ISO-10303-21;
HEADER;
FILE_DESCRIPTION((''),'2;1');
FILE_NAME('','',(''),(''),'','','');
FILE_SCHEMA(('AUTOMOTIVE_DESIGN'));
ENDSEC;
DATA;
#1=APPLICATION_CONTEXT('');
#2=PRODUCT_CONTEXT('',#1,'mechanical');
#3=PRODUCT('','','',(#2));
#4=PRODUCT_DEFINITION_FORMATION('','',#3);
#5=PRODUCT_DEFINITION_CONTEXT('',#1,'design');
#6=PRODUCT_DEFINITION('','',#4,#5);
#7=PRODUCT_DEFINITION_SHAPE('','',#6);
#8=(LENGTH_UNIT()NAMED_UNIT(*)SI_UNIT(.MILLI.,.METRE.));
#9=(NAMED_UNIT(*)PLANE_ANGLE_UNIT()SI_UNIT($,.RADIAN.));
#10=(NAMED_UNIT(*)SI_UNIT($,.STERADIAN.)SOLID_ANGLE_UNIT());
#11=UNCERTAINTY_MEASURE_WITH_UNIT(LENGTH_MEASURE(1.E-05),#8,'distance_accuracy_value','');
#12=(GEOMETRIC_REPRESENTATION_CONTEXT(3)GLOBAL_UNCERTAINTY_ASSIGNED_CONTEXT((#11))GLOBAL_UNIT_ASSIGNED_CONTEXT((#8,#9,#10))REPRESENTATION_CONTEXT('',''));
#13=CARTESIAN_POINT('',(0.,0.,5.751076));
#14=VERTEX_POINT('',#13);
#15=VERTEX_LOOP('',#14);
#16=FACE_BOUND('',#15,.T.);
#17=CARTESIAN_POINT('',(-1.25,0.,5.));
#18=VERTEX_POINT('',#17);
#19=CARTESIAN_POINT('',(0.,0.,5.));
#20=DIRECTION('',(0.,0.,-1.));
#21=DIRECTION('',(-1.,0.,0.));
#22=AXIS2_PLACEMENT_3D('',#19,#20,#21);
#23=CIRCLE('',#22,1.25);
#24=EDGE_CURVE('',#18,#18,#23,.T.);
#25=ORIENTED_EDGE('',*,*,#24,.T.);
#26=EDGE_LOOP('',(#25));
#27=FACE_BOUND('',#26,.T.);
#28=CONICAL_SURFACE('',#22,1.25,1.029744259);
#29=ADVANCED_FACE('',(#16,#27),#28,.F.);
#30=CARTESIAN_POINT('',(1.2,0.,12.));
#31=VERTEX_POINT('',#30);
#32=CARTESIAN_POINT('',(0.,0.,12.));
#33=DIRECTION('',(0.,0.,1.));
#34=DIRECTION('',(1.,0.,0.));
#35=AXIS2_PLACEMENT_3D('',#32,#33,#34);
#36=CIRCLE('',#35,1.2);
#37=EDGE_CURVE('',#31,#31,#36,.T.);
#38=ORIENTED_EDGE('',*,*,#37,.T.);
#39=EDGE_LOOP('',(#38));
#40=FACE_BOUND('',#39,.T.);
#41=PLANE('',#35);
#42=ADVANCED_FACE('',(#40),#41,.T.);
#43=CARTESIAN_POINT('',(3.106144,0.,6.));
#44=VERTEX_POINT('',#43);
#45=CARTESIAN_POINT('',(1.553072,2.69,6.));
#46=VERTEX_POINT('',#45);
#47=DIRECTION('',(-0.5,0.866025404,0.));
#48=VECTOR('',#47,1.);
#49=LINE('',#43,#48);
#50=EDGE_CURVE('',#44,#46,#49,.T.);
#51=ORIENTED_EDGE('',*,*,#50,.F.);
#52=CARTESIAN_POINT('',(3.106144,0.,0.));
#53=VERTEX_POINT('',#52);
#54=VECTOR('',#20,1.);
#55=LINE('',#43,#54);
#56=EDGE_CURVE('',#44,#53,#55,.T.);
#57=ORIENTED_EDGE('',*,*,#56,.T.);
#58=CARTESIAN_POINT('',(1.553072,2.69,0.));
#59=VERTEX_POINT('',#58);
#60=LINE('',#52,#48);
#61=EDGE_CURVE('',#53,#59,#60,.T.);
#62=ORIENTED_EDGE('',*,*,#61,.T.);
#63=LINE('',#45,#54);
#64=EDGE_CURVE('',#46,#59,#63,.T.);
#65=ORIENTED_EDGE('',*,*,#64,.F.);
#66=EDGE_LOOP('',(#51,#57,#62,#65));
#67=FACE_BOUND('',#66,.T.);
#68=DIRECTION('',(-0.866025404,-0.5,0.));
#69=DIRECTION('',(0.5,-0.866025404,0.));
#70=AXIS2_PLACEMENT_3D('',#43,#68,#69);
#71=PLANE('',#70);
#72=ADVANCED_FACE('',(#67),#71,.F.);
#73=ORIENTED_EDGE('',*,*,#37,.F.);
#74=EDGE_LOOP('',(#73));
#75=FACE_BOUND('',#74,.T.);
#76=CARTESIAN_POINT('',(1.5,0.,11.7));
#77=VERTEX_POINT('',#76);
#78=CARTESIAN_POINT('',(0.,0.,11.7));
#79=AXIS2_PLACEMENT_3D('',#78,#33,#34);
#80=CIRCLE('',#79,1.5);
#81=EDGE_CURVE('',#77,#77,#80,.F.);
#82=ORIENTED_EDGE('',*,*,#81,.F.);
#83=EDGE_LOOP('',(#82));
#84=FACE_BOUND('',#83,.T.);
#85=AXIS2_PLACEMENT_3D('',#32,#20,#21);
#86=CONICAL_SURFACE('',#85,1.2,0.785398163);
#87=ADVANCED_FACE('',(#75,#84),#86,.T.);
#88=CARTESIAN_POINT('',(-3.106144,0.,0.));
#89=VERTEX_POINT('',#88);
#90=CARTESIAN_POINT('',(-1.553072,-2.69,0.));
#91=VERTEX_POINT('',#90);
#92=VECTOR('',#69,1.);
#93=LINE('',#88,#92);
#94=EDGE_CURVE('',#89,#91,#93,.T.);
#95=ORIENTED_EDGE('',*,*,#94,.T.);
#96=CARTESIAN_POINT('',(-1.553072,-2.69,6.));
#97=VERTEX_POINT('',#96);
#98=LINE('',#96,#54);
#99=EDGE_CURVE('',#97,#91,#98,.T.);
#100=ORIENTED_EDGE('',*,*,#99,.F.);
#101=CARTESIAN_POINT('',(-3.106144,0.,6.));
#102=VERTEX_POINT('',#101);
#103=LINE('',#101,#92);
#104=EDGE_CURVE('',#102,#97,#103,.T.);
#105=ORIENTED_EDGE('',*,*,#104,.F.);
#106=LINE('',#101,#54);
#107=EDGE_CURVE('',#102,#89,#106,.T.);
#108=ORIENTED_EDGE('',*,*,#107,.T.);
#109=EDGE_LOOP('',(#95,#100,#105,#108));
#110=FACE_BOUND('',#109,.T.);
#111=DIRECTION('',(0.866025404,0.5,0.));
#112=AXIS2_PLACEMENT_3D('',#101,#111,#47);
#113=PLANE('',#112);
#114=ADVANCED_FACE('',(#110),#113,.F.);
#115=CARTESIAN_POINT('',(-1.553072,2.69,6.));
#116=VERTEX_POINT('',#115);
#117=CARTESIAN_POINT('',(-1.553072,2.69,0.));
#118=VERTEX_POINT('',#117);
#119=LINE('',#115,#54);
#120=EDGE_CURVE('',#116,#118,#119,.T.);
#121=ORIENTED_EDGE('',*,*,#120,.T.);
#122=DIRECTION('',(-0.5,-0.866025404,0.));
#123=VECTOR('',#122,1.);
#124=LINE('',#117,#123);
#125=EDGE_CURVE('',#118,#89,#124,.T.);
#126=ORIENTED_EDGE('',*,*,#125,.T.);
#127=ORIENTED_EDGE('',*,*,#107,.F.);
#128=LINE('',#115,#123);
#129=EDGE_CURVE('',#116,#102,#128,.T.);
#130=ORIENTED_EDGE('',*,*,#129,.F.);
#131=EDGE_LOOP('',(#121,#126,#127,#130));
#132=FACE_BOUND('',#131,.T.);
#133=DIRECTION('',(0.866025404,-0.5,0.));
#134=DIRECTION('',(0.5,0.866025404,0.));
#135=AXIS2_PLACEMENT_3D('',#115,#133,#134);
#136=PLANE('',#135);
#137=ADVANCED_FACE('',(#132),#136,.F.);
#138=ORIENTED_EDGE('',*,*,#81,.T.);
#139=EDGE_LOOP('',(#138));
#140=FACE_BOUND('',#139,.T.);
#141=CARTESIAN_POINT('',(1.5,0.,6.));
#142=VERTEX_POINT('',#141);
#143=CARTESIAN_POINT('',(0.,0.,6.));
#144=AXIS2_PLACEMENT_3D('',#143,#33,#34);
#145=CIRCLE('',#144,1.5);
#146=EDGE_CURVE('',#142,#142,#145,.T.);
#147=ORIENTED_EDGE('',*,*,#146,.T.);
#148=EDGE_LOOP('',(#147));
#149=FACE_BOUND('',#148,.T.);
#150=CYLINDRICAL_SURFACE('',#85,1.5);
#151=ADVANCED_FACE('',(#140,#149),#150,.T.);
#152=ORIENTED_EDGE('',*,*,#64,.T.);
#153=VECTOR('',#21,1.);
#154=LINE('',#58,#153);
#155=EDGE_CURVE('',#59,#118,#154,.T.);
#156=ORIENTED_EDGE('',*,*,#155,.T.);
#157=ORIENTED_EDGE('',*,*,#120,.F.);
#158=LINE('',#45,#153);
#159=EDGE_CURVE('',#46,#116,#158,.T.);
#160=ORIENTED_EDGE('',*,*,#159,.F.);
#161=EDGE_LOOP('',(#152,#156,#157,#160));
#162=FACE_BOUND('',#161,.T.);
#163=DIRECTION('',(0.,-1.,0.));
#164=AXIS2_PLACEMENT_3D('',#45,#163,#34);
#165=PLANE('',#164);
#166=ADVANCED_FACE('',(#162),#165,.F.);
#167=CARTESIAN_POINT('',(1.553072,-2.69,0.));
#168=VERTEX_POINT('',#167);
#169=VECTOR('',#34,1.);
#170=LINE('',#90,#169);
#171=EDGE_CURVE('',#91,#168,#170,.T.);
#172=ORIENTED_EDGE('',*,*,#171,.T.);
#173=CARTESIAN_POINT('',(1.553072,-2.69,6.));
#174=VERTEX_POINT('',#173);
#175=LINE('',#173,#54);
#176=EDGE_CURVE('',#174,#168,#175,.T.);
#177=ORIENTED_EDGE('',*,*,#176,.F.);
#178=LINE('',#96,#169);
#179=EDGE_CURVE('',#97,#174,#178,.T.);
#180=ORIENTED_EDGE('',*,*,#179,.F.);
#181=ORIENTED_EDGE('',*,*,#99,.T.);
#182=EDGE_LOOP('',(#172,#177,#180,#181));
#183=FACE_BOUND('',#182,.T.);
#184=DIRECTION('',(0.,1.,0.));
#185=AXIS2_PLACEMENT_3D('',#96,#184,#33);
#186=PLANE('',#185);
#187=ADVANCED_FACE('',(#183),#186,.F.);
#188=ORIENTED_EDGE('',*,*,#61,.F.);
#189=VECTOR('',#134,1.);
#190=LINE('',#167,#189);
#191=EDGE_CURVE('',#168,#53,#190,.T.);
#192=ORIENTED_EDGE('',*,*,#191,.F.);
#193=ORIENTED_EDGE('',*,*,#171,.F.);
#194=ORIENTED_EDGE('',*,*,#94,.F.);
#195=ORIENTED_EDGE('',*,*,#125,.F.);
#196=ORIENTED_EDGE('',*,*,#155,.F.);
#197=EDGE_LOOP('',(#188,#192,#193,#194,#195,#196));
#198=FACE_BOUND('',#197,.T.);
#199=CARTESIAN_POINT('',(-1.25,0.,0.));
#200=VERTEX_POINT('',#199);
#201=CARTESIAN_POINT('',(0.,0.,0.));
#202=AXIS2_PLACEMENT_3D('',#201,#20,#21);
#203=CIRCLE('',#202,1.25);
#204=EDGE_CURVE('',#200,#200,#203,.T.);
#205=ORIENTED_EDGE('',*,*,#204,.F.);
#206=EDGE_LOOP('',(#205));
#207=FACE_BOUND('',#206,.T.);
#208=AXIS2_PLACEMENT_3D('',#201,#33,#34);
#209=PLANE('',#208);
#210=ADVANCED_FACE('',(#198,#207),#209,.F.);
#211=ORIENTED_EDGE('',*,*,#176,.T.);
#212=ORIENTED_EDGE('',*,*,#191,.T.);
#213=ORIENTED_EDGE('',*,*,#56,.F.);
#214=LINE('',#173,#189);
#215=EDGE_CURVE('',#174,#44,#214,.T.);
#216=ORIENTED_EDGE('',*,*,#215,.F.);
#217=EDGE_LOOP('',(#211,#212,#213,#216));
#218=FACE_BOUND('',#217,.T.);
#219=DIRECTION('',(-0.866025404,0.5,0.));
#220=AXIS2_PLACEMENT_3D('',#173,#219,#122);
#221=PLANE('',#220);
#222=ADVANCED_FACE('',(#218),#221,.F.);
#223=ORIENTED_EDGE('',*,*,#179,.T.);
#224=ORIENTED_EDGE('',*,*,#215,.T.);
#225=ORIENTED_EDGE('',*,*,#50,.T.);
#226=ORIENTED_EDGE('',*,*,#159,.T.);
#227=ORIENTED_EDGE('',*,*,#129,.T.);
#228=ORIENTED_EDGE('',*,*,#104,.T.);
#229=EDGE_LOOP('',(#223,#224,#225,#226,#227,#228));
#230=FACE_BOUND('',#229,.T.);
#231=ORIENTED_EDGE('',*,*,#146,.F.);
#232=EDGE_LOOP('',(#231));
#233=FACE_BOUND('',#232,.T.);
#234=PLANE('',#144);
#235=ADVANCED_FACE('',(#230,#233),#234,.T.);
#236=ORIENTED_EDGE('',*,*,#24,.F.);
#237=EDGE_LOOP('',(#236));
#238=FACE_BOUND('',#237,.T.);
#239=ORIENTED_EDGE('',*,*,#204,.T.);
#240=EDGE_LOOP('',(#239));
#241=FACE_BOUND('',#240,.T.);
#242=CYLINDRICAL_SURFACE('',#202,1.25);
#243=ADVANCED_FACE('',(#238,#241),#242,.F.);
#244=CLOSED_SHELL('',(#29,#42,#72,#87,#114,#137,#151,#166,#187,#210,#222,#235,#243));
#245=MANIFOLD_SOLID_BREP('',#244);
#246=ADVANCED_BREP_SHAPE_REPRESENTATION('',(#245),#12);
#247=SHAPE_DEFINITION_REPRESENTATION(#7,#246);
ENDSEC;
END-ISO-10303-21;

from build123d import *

# Parameters (mm, degrees)
EXTRUDE_1_DEPTH        = 6
SKETCH_2_R             = 1.5
EXTRUDE_2_DEPTH        = 6
HOLE_WIZARD_M3_1_D     = 2.5
HOLE_WIZARD_M3_1_DEPTH = 5
HOLE_WIZARD_M3_1_TIP   = 0.751075774
CHAMFER_1_SIZE         = 0.3


with BuildPart() as part:
    # 草图1 → 凸台-拉伸1 (new body)
    with BuildSketch(Plane.XY):
        Polygon((-1.553072224, 2.69), (-3.106144448, 0), (-1.553072224, -2.69), (1.553072224, -2.69), (3.106144448, 0), (1.553072224, 2.69), align=None)
    extrude(amount=EXTRUDE_1_DEPTH)

    # 草图2 → 凸台-拉伸2 (add)
    with BuildSketch(Plane.XY.offset(6)):
        Circle(SKETCH_2_R)
    extrude(amount=EXTRUDE_2_DEPTH)

    # M3 螺纹孔1
    with Locations(Plane(origin=(0, 0, 0), x_dir=(-1, 0, 0), z_dir=(0, 0, -1))):
        with Locations((0, 0)):
            Hole(HOLE_WIZARD_M3_1_D / 2, depth=HOLE_WIZARD_M3_1_DEPTH)
            with Locations((0, 0, -(HOLE_WIZARD_M3_1_DEPTH + HOLE_WIZARD_M3_1_TIP / 2))):  # 118° drill point
                Cone(0, HOLE_WIZARD_M3_1_D / 2, HOLE_WIZARD_M3_1_TIP, mode=Mode.SUBTRACT)

    # 倒角1
    chamfer_1_edges = [part.edges().sort_by_distance(p)[0] for p in [
        (-1.5, 0, 12),
    ]]
    chamfer(chamfer_1_edges, length=CHAMFER_1_SIZE)


solid = part.part
